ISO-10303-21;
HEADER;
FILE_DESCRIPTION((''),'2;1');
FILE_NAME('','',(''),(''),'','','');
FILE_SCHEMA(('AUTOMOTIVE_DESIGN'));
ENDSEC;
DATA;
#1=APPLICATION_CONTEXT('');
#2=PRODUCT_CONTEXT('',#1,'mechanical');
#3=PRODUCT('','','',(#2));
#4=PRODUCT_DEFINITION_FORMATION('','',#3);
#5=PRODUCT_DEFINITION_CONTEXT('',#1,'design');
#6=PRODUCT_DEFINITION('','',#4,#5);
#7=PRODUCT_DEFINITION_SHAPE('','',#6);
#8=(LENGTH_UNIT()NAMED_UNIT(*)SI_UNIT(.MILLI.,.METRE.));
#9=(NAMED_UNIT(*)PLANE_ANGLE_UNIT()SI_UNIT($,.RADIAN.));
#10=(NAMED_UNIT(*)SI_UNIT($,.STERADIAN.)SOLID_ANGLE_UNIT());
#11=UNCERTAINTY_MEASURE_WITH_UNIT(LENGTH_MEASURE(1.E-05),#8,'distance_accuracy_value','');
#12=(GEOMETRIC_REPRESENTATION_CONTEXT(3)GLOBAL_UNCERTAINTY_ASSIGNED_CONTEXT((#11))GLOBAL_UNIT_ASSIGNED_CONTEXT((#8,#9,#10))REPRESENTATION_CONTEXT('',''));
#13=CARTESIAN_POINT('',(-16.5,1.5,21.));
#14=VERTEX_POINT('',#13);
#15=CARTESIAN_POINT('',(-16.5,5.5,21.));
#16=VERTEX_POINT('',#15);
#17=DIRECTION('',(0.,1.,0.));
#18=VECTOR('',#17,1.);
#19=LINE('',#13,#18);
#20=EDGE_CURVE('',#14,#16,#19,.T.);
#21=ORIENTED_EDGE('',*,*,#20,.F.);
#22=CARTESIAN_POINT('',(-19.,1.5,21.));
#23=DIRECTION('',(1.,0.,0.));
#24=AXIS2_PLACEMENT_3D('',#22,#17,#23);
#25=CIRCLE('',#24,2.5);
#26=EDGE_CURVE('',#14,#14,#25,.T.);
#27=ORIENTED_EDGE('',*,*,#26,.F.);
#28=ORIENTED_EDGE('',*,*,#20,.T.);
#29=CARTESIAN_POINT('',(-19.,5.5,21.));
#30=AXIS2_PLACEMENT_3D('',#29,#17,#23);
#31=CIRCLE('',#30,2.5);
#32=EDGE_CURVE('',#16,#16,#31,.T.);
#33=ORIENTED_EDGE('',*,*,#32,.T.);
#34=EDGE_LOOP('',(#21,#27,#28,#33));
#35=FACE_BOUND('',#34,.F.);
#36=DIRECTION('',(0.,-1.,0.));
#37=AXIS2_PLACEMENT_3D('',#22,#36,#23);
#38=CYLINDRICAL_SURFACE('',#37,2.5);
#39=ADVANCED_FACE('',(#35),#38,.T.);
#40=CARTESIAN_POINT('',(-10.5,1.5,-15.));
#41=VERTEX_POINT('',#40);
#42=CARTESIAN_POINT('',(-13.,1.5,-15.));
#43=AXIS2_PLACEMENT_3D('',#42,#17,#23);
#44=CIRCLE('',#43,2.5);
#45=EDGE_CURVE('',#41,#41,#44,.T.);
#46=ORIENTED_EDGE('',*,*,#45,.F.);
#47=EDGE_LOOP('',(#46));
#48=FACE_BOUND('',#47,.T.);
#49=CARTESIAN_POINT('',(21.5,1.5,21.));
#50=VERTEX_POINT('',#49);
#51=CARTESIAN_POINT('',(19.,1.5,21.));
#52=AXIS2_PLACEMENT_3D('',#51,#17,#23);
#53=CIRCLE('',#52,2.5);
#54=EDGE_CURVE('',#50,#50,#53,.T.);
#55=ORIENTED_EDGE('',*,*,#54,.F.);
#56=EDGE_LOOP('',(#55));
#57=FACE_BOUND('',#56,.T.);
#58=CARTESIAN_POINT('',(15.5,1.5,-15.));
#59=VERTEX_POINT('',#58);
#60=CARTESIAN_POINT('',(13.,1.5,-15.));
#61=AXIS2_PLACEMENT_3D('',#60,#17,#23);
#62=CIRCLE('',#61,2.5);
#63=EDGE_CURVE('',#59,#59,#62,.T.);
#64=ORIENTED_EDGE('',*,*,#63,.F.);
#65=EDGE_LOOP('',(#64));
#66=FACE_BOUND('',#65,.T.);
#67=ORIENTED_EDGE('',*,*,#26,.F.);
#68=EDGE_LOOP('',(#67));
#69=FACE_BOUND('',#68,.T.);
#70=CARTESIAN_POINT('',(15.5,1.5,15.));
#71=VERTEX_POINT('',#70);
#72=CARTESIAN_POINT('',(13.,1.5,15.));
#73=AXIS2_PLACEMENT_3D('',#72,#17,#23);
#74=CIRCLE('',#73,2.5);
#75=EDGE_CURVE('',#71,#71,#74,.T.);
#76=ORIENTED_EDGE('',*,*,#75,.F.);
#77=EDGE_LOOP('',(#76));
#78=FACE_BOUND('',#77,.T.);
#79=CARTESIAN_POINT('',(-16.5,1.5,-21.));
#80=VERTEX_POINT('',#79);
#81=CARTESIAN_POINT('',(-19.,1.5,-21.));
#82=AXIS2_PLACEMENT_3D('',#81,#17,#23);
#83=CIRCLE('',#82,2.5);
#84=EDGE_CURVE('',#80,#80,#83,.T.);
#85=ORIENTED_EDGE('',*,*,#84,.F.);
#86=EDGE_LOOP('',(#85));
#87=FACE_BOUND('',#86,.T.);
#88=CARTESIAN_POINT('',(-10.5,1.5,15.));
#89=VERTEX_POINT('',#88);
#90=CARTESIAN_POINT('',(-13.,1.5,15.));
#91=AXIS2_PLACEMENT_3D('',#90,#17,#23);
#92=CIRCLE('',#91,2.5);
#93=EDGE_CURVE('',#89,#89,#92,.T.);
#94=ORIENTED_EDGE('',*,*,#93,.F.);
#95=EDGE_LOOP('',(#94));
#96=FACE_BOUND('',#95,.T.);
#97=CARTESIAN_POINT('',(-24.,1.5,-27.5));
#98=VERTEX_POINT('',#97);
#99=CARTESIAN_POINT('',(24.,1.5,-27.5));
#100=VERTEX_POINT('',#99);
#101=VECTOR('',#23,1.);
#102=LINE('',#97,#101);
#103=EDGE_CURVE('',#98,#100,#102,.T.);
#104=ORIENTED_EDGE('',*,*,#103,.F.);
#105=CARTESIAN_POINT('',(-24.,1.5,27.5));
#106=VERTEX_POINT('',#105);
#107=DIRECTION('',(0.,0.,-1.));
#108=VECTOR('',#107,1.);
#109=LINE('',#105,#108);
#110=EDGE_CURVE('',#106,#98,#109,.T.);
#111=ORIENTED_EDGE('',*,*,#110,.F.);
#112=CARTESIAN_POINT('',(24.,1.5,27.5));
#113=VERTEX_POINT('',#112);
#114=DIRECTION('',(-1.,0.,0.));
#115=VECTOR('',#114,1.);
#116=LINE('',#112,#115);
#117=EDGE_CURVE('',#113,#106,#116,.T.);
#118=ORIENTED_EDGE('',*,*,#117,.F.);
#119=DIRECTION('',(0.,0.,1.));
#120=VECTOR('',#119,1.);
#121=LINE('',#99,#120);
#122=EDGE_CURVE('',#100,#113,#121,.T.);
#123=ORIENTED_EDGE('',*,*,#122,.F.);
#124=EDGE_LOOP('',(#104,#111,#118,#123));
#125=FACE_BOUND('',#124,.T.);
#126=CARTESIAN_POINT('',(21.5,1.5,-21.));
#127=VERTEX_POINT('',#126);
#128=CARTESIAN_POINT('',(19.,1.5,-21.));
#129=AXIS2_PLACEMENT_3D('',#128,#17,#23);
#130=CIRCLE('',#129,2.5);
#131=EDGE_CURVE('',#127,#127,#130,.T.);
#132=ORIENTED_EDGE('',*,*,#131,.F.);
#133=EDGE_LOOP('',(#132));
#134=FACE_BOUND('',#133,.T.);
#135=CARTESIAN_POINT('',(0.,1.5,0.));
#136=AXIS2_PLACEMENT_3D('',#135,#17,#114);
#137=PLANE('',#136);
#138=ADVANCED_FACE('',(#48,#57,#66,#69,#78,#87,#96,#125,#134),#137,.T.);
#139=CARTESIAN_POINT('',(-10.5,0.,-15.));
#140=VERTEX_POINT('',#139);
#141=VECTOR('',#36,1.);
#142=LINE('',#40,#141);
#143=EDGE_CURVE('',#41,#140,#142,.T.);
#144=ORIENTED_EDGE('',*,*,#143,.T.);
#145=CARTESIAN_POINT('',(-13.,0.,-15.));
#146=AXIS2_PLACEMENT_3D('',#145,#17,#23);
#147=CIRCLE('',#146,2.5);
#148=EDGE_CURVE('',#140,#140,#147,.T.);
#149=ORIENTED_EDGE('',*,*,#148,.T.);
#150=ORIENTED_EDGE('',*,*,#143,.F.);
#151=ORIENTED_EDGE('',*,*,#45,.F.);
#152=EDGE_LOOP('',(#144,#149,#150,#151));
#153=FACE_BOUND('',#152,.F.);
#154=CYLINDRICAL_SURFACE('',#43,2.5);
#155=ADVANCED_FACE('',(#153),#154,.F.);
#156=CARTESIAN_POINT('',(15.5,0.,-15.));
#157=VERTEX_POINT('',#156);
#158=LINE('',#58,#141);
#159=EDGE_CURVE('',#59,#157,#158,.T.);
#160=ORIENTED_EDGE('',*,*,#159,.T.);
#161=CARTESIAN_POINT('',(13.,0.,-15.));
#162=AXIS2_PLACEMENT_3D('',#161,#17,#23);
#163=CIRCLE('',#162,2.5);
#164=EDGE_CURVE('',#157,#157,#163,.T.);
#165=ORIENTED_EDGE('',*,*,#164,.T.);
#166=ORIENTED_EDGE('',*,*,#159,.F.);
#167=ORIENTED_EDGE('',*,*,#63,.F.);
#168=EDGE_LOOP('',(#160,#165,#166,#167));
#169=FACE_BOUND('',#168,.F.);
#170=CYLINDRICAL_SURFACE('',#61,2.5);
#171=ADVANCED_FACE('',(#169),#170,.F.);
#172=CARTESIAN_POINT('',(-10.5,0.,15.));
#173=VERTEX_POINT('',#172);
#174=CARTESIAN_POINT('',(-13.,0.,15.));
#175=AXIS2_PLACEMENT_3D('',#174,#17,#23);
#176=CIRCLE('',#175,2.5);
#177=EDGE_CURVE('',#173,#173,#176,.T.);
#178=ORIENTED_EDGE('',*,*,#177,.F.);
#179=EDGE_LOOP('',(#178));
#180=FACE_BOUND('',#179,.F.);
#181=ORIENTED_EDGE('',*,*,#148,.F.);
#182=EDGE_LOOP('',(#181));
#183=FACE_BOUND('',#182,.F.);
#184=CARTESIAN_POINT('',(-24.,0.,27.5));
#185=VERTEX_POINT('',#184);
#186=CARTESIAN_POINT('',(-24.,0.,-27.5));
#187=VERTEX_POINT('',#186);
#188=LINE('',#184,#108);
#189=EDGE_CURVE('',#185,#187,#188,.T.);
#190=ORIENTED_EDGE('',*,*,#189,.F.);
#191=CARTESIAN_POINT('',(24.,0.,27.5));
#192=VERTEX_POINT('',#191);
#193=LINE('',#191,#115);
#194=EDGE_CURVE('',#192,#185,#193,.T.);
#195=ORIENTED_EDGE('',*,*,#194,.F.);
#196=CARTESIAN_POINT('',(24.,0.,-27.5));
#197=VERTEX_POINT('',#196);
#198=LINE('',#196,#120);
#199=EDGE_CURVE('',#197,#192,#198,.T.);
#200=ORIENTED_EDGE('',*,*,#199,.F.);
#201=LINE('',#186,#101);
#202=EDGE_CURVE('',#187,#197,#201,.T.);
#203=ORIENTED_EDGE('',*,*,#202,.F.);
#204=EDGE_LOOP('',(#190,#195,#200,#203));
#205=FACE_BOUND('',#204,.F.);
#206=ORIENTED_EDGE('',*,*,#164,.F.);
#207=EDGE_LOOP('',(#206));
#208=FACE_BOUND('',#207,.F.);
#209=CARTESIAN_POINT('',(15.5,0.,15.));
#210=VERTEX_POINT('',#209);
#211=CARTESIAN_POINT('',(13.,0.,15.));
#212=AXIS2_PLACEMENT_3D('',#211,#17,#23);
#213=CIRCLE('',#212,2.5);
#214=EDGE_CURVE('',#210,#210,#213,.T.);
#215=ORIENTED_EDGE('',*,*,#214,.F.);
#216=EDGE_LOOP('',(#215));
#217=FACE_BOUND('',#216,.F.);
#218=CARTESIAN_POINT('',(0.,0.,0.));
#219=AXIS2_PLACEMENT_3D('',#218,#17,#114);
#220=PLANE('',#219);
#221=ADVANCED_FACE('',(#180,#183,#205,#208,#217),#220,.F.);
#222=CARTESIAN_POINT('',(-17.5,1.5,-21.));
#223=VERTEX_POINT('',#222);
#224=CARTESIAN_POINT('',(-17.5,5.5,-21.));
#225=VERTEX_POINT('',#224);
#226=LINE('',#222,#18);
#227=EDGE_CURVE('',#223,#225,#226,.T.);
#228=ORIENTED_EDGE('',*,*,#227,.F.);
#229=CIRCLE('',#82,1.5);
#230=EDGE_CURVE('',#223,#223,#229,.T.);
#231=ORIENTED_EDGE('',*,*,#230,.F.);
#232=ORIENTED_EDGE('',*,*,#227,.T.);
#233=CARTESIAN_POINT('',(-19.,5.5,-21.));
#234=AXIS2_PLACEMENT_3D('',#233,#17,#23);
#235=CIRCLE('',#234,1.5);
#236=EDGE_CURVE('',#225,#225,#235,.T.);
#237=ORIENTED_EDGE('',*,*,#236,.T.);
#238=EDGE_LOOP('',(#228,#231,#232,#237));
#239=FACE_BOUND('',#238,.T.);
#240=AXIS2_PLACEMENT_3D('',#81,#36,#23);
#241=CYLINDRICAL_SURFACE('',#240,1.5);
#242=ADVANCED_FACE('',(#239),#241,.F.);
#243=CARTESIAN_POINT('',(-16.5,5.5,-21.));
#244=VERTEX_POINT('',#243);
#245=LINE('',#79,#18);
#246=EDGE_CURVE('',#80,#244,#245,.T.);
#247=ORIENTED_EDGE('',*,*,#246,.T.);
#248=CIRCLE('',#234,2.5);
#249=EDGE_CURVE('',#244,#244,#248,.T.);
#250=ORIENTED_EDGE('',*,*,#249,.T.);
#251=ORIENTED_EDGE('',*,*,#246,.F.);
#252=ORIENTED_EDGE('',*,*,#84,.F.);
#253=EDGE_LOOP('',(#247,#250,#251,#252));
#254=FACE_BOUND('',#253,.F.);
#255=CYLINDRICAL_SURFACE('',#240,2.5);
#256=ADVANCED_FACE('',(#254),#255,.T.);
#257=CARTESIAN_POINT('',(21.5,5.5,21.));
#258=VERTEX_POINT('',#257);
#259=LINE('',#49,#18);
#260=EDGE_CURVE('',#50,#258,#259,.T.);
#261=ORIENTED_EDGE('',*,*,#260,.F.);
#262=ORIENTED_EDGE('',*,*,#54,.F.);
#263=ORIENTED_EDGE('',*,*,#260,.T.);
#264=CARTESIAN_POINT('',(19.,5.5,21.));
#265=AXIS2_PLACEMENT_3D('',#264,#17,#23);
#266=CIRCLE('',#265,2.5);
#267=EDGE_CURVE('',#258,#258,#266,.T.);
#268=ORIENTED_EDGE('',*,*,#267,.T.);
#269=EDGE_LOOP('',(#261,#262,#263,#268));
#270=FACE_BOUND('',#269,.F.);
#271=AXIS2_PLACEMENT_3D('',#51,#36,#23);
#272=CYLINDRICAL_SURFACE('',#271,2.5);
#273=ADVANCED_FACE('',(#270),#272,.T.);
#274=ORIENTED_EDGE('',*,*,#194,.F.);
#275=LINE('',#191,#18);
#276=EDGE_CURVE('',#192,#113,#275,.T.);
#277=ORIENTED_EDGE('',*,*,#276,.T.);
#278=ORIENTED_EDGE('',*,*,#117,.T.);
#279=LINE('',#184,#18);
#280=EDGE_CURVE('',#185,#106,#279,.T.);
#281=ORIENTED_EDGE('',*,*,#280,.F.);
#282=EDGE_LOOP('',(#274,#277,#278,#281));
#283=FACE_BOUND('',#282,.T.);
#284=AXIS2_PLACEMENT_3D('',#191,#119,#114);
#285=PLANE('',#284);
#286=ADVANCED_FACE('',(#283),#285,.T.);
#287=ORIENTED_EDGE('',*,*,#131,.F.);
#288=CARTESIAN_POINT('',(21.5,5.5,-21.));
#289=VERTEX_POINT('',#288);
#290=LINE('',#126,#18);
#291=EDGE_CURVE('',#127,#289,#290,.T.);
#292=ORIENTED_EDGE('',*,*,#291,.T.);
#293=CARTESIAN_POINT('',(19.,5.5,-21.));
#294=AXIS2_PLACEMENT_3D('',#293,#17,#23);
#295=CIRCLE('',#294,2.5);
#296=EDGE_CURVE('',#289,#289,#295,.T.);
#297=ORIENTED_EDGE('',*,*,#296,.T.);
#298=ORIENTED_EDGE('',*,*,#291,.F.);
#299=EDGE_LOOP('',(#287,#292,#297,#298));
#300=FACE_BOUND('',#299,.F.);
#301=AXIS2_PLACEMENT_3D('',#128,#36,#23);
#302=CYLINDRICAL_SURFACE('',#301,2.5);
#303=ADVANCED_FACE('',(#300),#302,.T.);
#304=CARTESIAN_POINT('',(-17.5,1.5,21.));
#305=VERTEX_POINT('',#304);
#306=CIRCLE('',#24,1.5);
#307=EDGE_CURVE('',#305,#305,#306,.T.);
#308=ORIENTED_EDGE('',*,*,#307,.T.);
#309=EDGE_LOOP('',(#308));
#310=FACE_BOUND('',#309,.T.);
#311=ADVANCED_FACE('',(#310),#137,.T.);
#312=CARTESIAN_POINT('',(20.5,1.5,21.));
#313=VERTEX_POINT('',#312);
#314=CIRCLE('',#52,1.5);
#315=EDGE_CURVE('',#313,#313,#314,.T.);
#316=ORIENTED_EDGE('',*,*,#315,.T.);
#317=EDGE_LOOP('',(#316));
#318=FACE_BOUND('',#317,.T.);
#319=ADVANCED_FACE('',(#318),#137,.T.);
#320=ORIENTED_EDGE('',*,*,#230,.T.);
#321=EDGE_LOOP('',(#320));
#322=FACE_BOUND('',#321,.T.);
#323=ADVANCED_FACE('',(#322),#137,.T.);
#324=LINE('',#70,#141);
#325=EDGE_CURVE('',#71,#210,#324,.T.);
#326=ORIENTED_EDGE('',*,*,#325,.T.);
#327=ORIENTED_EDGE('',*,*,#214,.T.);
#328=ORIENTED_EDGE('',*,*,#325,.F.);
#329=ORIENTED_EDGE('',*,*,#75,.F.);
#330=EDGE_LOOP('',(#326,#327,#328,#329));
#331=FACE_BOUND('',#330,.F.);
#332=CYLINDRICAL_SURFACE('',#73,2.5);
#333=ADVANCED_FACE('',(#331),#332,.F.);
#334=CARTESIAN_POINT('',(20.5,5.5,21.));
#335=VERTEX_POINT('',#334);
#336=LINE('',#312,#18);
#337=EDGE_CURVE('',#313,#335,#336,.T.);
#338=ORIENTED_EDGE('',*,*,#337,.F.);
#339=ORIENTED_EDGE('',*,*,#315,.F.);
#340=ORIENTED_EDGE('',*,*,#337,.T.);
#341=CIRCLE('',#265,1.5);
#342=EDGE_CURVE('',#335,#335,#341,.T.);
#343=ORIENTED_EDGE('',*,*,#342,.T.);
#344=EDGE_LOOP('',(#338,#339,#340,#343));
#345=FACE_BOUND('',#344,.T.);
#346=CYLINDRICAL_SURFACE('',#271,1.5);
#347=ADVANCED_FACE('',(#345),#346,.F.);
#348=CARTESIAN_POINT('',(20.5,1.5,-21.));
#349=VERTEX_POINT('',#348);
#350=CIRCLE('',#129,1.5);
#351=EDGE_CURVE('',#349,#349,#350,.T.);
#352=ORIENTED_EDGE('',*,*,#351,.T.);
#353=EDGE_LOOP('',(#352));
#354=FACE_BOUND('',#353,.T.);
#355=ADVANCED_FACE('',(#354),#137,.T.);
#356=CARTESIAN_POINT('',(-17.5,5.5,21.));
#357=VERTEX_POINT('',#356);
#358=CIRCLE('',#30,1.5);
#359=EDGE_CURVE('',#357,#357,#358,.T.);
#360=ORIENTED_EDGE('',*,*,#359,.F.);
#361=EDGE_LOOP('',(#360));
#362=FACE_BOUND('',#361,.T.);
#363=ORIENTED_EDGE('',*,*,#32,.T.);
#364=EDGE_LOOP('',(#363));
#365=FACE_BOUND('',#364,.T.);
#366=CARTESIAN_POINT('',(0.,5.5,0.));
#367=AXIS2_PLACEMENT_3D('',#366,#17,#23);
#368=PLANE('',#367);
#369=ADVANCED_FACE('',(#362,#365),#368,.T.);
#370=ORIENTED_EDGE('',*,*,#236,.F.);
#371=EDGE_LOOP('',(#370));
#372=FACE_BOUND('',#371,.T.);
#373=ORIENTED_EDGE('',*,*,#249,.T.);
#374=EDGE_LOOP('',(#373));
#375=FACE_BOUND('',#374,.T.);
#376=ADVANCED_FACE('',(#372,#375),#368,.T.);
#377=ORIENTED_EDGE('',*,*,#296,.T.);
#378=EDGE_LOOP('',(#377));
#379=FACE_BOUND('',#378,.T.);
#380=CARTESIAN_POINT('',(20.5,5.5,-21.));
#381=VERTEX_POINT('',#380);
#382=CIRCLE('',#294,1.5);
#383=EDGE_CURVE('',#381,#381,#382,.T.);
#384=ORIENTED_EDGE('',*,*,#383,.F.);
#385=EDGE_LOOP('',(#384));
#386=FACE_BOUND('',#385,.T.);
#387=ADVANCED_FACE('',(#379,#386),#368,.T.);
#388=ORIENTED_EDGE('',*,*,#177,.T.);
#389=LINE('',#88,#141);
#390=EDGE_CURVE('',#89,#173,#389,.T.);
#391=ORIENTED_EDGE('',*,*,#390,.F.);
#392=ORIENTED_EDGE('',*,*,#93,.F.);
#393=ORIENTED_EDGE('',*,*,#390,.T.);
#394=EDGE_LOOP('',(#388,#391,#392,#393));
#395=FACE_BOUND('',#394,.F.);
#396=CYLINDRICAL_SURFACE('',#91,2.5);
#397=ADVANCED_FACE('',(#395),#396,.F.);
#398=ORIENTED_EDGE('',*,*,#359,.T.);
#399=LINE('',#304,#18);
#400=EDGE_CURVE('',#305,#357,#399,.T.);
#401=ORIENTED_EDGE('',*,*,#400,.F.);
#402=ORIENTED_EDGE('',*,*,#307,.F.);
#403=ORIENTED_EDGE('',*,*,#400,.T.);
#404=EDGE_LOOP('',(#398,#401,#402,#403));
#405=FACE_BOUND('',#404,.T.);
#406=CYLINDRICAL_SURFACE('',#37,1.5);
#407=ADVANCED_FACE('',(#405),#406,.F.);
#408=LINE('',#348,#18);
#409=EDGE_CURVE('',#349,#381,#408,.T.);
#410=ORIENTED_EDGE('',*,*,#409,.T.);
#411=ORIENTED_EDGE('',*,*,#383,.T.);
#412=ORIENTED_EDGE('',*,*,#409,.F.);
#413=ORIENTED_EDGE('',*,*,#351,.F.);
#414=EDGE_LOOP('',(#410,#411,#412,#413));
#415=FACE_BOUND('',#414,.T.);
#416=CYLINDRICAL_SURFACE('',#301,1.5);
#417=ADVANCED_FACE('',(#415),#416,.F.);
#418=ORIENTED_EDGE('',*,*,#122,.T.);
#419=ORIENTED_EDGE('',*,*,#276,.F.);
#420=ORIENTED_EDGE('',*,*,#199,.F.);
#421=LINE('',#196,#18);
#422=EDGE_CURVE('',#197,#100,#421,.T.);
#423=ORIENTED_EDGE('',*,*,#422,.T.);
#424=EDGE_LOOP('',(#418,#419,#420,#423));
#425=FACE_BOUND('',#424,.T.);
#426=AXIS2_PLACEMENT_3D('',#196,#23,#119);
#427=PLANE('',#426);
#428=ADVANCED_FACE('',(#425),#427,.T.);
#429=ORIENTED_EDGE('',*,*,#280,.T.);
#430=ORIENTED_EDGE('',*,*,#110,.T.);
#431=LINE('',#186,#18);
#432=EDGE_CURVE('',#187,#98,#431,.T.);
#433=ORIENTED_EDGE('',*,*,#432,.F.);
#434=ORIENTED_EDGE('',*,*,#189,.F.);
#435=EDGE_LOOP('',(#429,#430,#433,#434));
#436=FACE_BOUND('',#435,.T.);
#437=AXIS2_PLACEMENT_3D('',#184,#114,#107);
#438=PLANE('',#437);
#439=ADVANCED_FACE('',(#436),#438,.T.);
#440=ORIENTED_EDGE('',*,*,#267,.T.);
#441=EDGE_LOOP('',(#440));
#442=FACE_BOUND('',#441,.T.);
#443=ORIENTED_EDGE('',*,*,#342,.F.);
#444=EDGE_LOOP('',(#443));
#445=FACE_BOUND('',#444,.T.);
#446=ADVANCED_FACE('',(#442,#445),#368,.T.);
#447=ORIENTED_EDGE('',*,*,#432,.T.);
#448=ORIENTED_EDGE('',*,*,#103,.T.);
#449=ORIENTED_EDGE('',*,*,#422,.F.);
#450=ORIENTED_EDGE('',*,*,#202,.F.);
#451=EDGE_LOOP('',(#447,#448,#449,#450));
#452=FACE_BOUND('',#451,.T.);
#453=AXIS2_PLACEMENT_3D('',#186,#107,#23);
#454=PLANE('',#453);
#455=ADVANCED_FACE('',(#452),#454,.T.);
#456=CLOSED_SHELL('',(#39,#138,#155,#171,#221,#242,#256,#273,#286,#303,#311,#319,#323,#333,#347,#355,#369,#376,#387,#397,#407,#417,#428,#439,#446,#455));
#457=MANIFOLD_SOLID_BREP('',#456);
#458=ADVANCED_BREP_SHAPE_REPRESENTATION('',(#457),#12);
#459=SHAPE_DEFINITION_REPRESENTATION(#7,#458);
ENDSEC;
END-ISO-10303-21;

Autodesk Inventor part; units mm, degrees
ref_plane "YZ Plane" through (0, 0, 0) normal (1, 0, 0) x (0, 1, 0)
ref_plane "XZ Plane" through (0, 0, 0) normal (0, 1, 0) x (-1, 0, 0)
ref_plane "XY Plane" through (0, 0, 0) normal (0, 0, 1) x (1, 0, 0)
sketch "Sketch1" plane through (0, 0, 0) normal (0, 1, 0) x (-1, 0, 0)
  line L0 (-24, 27.5) -> (24, 27.5)
  line L1 (24, 27.5) -> (24, -27.5)
  line L2 (24, -27.5) -> (-24, -27.5)
  line L3 (-24, -27.5) -> (-24, 27.5)
  dimension "d13" = 48
  dimension "d14" = 55
extrude "Extrusion1" add sketch "Sketch1" along normal blind 1.5
sketch "Sketch2" plane through (0, 1.5, 0) normal (0, 1, 0) x (1, 0, 0)
  circle A0 centre (19, 21) radius 2.5
  circle A1 centre (19, -21) radius 2.5
  circle A2 centre (-19, -21) radius 2.5
  circle A3 centre (-19, 21) radius 2.5
  circle A4 centre (-13, -15) radius 2.5
  circle A5 centre (13, -15) radius 2.5
  circle A6 centre (13, 15) radius 2.5
  circle A7 centre (-13, 15) radius 2.5
  circle A8 centre (19, -21) radius 1.5
  circle A9 centre (19, 21) radius 1.5
  circle A10 centre (-19, 21) radius 1.5
  circle A11 centre (-19, -21) radius 1.5
  dimension "d47" = 3
  dimension "d48" = 3
  dimension "d50" = 3
extrude "Extrusion2" add sketch "Sketch2" along normal blind 4 contours A0 | A1 | A2 | A3
sketch "Sketch3" plane through (0, 1.5, 0) normal (0, 1, 0) x (1, 0, 0)
  circle A0 centre (-13, -15) radius 2.5
  circle A1 centre (13, -15) radius 2.5
  circle A2 centre (13, 15) radius 2.5
  circle A3 centre (-13, 15) radius 2.5
  point P0 (0, 0)
extrude "Extrusion3" cut sketch "Sketch3" against normal through all
properties part number "Box2_Buttom"
